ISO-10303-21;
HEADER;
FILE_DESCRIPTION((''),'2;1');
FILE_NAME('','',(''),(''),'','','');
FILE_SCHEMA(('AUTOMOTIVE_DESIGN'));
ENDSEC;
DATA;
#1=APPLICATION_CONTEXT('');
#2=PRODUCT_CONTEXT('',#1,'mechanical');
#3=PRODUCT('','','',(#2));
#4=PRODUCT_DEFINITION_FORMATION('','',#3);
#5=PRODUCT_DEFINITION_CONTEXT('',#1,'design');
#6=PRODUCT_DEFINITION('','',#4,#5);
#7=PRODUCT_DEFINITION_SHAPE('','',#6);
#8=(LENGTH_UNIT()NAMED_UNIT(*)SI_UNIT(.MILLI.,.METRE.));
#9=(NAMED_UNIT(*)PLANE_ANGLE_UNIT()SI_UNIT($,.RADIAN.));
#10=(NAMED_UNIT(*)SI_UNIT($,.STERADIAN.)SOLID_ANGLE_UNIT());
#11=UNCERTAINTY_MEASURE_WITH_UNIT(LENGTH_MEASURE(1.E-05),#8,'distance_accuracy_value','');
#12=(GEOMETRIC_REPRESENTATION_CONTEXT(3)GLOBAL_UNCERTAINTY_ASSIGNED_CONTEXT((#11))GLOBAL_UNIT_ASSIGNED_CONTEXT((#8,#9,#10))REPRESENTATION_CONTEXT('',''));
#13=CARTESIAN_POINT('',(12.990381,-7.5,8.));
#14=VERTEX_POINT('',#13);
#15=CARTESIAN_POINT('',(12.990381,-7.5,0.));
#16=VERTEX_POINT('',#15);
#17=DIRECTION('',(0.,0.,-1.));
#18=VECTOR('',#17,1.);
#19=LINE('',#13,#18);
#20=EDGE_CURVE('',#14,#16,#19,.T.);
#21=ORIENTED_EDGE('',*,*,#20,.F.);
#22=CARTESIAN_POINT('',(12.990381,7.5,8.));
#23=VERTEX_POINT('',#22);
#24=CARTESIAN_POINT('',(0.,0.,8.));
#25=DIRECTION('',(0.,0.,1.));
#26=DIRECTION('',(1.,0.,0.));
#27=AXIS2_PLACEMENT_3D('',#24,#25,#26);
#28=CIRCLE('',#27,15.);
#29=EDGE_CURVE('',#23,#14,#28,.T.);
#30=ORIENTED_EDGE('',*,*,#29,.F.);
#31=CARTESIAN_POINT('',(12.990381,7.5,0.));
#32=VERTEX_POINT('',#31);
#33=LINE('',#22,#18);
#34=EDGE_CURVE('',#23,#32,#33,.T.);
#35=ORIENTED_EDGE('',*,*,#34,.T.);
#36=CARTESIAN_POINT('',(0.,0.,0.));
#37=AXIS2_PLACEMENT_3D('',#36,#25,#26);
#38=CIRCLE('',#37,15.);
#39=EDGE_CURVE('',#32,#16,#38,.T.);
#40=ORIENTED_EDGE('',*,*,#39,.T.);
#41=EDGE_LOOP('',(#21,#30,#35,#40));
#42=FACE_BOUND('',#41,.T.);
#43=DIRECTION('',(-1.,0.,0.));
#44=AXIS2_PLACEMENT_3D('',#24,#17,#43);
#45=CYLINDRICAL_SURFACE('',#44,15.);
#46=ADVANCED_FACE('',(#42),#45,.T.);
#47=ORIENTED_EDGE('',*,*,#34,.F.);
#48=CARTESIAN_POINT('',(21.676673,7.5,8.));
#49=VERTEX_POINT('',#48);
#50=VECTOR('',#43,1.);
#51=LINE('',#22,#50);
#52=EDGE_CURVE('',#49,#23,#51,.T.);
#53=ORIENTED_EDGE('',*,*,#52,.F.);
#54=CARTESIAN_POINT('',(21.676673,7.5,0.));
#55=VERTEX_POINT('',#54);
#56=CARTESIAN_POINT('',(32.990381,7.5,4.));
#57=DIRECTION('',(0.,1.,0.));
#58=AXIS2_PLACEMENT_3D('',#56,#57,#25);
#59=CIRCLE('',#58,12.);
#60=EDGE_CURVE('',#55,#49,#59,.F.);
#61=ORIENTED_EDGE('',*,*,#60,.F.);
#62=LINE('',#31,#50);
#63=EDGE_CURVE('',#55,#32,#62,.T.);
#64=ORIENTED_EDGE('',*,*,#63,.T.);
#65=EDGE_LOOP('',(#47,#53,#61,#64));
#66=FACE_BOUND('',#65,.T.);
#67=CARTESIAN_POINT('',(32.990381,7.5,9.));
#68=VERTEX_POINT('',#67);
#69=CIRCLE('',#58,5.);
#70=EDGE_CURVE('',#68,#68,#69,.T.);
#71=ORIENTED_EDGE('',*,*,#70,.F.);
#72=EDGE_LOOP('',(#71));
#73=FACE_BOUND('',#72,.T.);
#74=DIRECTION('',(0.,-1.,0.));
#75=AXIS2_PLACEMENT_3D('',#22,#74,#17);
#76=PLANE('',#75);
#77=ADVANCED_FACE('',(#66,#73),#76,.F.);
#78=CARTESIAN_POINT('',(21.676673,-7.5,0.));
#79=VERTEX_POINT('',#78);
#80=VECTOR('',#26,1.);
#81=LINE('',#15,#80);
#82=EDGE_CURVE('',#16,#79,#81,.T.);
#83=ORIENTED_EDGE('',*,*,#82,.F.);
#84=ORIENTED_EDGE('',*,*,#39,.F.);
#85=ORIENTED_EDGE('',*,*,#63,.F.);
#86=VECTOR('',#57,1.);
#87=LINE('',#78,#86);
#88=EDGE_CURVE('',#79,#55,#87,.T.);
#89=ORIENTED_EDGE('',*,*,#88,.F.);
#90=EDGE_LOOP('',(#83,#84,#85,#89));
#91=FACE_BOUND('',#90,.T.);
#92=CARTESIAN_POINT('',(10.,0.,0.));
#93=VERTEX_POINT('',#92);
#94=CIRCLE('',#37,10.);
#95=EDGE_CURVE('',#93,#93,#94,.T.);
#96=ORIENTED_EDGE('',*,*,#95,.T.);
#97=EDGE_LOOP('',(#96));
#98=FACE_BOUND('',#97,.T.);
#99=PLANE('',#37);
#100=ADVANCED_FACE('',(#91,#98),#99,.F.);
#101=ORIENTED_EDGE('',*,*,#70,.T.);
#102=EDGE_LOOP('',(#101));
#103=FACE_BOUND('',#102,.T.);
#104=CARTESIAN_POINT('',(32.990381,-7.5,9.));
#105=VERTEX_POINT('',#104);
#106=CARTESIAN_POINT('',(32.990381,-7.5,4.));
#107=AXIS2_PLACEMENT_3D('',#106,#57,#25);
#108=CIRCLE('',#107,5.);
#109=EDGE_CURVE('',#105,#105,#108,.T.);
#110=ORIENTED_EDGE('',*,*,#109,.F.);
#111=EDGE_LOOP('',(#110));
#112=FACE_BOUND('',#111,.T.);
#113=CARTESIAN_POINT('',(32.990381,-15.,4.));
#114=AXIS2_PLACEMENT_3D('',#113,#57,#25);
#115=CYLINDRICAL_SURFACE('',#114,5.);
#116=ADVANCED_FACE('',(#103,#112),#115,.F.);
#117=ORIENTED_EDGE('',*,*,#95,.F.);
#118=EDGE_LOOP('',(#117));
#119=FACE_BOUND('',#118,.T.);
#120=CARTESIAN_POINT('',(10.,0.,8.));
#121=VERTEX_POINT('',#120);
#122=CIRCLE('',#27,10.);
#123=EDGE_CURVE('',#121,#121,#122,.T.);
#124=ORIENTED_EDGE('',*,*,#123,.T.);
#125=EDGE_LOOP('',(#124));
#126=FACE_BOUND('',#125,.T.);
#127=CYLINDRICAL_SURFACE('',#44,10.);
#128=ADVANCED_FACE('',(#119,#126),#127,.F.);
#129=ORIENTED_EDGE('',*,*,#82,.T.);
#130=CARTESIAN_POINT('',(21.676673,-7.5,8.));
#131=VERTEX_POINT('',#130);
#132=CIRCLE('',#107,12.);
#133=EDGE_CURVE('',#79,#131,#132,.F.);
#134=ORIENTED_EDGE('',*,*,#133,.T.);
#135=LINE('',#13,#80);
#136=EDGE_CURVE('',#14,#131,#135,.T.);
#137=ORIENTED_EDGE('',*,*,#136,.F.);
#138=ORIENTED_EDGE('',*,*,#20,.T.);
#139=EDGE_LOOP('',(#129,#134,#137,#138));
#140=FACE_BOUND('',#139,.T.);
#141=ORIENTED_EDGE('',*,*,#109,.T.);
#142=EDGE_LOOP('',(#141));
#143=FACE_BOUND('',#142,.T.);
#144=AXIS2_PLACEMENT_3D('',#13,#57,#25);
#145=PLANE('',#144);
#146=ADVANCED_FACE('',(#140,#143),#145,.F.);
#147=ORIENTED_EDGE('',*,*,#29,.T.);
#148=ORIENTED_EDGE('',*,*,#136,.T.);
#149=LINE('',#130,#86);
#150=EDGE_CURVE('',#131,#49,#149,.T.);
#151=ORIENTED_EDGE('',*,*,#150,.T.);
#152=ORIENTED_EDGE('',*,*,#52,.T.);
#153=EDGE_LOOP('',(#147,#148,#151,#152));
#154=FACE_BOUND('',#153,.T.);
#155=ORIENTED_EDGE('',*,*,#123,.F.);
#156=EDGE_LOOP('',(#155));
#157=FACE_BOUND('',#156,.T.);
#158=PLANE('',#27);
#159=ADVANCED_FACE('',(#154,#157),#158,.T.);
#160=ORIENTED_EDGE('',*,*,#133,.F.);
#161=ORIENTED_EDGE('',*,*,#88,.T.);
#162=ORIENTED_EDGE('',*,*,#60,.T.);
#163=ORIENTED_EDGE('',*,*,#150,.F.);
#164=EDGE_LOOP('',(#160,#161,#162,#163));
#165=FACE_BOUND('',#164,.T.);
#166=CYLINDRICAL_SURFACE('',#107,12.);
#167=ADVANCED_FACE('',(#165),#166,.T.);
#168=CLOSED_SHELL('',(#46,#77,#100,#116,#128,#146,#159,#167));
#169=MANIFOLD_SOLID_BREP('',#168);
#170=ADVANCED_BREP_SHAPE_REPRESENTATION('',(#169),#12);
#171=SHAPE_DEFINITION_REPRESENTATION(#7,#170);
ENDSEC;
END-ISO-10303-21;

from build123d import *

# Parameters (mm, degrees)
SKETCH1_R           = 10
BOSS_EXTRUDE1_DEPTH = 8
BOSS_EXTRUDE2_DEPTH = 15
SKETCH3_R           = 5
CUT_EXTRUDE1_DEPTH  = 23.5


with BuildPart() as part:
    # Sketch1 → Boss-Extrude1 (new body)
    with BuildSketch(Plane.XY):
        with BuildLine():
            Line((12.990381057, 7.5), (32.990381057, 7.5))
            Line((32.990381057, 7.5), (32.990381057, -7.5))
            Line((32.990381057, -7.5), (12.990381057, -7.5))
            ThreePointArc((12.990381057, -7.5), (-15, 0), (12.990381057, 7.5))
        make_face()
        Circle(SKETCH1_R, mode=Mode.SUBTRACT)
    extrude(amount=BOSS_EXTRUDE1_DEPTH)

    # Sketch2 → Boss-Extrude2 (add)
    with BuildSketch(Plane(origin=(0, 7.5, 0), x_dir=(1, 0, 0), z_dir=(0, 1, 0))):
        with BuildLine():
            ThreePointArc((21.676672558, -8), (44.990381057, -4), (21.676672558, 0))
            Line((21.676672558, 0), (32.990381057, 0))
            Line((32.990381057, 0), (32.990381057, -8))
            Line((32.990381057, -8), (21.676672558, -8))
        make_face()
    extrude(amount=-BOSS_EXTRUDE2_DEPTH)

    # Sketch3 → Cut-Extrude1 (cut, through all)
    with BuildSketch(Plane(origin=(0, 7.5, 0), x_dir=(1, 0, 0), z_dir=(0, 1, 0))):
        with Locations((32.990381057, -4)):
            Circle(SKETCH3_R)
    extrude(amount=-CUT_EXTRUDE1_DEPTH, mode=Mode.SUBTRACT)


solid = part.part
